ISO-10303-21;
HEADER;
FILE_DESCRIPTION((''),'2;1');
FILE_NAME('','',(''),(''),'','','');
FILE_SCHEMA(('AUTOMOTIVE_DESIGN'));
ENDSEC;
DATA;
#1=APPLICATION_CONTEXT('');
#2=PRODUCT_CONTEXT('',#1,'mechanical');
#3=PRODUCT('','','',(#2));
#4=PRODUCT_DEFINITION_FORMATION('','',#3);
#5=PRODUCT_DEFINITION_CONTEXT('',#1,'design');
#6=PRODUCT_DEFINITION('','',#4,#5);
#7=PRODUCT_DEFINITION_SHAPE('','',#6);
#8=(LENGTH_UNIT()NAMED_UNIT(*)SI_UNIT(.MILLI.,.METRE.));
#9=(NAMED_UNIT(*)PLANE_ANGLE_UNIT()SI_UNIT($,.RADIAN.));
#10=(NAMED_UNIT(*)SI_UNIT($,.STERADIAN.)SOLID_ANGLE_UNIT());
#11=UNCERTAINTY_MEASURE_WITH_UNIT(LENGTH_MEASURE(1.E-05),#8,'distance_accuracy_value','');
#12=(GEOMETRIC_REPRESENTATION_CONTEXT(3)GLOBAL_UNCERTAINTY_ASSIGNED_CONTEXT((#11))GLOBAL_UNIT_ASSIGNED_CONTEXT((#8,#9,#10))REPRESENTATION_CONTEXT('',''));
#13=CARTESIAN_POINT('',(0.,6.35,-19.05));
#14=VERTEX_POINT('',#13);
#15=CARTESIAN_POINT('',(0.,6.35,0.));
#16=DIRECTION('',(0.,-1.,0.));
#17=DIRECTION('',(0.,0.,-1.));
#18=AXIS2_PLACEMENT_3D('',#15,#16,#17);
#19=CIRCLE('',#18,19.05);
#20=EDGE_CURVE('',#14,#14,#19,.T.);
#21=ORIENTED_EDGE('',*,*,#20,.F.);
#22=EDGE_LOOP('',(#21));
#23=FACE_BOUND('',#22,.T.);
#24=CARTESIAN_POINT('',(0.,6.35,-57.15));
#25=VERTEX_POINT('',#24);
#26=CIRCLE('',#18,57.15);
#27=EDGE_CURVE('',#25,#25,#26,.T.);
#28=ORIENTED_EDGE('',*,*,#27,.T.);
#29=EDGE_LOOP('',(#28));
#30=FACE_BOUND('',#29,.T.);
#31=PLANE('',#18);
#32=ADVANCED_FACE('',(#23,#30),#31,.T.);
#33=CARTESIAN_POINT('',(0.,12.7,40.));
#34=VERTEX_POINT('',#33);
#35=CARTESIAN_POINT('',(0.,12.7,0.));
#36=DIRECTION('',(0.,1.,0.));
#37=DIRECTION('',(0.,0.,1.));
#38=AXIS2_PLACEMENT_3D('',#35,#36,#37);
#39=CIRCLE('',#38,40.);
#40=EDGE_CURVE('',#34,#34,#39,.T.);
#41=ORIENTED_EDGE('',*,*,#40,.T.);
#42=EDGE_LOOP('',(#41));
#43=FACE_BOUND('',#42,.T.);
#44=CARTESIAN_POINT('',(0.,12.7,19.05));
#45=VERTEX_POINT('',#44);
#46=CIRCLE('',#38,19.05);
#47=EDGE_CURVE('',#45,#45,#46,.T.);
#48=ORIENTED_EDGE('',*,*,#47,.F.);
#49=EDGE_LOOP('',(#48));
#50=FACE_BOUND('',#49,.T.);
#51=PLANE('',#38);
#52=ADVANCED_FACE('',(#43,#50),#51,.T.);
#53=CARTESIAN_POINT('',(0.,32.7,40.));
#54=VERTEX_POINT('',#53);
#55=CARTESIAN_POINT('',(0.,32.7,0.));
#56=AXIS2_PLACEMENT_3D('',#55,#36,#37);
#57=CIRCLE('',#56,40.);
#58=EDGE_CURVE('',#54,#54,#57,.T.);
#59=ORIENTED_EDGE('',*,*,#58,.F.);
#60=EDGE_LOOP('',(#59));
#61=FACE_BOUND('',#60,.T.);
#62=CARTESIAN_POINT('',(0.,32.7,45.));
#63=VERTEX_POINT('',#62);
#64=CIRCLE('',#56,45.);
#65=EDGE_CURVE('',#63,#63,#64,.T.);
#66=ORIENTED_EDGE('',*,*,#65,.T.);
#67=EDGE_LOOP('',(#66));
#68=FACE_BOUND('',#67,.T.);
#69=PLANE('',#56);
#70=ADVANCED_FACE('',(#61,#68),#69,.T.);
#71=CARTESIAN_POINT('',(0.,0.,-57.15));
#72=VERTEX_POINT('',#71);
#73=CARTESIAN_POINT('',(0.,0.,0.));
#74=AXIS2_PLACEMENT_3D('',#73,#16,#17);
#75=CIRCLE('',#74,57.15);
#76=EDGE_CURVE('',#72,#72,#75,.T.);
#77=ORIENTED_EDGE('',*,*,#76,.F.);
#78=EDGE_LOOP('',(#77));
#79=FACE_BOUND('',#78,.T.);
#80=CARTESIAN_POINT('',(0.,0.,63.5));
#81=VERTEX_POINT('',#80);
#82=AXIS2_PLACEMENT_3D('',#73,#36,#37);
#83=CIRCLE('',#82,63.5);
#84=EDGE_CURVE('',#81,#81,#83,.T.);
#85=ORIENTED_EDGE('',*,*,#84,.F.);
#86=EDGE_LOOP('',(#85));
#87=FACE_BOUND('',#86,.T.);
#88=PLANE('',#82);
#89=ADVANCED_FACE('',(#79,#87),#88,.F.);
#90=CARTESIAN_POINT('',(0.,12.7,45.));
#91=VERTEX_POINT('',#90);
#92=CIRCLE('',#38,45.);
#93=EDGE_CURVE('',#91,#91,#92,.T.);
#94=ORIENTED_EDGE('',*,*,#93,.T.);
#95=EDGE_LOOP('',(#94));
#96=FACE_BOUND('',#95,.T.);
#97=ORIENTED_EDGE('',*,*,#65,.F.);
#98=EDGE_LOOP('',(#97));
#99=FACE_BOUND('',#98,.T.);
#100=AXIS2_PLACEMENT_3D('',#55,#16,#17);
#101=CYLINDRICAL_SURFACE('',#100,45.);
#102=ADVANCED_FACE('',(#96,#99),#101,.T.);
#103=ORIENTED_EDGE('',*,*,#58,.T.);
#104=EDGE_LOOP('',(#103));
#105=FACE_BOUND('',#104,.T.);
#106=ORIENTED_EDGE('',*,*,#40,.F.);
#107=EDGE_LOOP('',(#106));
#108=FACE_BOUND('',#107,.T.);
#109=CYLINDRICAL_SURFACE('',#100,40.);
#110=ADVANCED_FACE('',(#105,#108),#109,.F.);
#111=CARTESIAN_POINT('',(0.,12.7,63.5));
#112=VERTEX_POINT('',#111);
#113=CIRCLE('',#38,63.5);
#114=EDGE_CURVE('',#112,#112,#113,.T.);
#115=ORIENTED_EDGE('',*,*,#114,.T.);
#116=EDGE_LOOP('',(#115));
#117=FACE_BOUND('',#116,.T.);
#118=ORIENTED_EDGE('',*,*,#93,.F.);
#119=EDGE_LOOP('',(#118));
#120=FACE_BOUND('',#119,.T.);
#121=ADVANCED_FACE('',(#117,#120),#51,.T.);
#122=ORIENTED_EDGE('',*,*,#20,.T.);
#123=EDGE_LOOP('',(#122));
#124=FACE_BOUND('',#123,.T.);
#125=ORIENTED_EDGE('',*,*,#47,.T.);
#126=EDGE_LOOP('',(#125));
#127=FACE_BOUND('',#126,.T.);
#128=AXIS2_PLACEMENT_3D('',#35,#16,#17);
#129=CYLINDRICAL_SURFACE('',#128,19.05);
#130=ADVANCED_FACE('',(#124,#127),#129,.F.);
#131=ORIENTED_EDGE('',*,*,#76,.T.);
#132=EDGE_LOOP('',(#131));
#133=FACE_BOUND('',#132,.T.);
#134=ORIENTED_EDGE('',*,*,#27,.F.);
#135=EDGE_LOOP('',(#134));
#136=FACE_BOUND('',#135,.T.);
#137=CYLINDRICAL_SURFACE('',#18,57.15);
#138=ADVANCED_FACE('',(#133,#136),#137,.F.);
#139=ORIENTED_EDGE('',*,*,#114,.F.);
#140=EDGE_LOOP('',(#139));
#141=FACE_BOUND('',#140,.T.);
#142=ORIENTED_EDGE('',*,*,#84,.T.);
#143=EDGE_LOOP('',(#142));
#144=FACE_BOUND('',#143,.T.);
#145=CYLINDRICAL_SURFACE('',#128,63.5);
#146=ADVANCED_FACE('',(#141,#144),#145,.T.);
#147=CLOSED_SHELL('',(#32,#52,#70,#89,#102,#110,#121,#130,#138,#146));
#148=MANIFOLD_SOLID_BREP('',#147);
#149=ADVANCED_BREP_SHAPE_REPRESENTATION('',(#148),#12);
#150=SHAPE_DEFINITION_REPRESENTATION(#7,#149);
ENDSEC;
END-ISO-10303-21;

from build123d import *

# Parameters (mm, degrees)
SKETCH1_R           = 63.5
SKETCH1_R_2         = 19.05
BOSS_EXTRUDE1_DEPTH = 12.7
SKETCH2_R           = 57.15
CUT_EXTRUDE1_DEPTH  = 6.35
SKETCH3_R           = 45
SKETCH3_R_2         = 40
BOSS_EXTRUDE3_DEPTH = 20


with BuildPart() as part:
    # Sketch1 → Boss-Extrude1 (new body)
    with BuildSketch(Plane(origin=(0, 0, 0), x_dir=(1, 0, 0), z_dir=(0, 1, 0))):
        Circle(SKETCH1_R)
        Circle(SKETCH1_R_2, mode=Mode.SUBTRACT)
    extrude(amount=BOSS_EXTRUDE1_DEPTH)

    # Sketch2 → Cut-Extrude1 (cut)
    with BuildSketch(Plane.XZ):
        Circle(SKETCH2_R)
    extrude(amount=-CUT_EXTRUDE1_DEPTH, mode=Mode.SUBTRACT)

    # Sketch3 → Boss-Extrude3 (add)
    with BuildSketch(Plane(origin=(0, 12.7, 0), x_dir=(1, 0, 0), z_dir=(0, 1, 0))):
        Circle(SKETCH3_R)
        Circle(SKETCH3_R_2, mode=Mode.SUBTRACT)
    extrude(amount=BOSS_EXTRUDE3_DEPTH)


solid = part.part
